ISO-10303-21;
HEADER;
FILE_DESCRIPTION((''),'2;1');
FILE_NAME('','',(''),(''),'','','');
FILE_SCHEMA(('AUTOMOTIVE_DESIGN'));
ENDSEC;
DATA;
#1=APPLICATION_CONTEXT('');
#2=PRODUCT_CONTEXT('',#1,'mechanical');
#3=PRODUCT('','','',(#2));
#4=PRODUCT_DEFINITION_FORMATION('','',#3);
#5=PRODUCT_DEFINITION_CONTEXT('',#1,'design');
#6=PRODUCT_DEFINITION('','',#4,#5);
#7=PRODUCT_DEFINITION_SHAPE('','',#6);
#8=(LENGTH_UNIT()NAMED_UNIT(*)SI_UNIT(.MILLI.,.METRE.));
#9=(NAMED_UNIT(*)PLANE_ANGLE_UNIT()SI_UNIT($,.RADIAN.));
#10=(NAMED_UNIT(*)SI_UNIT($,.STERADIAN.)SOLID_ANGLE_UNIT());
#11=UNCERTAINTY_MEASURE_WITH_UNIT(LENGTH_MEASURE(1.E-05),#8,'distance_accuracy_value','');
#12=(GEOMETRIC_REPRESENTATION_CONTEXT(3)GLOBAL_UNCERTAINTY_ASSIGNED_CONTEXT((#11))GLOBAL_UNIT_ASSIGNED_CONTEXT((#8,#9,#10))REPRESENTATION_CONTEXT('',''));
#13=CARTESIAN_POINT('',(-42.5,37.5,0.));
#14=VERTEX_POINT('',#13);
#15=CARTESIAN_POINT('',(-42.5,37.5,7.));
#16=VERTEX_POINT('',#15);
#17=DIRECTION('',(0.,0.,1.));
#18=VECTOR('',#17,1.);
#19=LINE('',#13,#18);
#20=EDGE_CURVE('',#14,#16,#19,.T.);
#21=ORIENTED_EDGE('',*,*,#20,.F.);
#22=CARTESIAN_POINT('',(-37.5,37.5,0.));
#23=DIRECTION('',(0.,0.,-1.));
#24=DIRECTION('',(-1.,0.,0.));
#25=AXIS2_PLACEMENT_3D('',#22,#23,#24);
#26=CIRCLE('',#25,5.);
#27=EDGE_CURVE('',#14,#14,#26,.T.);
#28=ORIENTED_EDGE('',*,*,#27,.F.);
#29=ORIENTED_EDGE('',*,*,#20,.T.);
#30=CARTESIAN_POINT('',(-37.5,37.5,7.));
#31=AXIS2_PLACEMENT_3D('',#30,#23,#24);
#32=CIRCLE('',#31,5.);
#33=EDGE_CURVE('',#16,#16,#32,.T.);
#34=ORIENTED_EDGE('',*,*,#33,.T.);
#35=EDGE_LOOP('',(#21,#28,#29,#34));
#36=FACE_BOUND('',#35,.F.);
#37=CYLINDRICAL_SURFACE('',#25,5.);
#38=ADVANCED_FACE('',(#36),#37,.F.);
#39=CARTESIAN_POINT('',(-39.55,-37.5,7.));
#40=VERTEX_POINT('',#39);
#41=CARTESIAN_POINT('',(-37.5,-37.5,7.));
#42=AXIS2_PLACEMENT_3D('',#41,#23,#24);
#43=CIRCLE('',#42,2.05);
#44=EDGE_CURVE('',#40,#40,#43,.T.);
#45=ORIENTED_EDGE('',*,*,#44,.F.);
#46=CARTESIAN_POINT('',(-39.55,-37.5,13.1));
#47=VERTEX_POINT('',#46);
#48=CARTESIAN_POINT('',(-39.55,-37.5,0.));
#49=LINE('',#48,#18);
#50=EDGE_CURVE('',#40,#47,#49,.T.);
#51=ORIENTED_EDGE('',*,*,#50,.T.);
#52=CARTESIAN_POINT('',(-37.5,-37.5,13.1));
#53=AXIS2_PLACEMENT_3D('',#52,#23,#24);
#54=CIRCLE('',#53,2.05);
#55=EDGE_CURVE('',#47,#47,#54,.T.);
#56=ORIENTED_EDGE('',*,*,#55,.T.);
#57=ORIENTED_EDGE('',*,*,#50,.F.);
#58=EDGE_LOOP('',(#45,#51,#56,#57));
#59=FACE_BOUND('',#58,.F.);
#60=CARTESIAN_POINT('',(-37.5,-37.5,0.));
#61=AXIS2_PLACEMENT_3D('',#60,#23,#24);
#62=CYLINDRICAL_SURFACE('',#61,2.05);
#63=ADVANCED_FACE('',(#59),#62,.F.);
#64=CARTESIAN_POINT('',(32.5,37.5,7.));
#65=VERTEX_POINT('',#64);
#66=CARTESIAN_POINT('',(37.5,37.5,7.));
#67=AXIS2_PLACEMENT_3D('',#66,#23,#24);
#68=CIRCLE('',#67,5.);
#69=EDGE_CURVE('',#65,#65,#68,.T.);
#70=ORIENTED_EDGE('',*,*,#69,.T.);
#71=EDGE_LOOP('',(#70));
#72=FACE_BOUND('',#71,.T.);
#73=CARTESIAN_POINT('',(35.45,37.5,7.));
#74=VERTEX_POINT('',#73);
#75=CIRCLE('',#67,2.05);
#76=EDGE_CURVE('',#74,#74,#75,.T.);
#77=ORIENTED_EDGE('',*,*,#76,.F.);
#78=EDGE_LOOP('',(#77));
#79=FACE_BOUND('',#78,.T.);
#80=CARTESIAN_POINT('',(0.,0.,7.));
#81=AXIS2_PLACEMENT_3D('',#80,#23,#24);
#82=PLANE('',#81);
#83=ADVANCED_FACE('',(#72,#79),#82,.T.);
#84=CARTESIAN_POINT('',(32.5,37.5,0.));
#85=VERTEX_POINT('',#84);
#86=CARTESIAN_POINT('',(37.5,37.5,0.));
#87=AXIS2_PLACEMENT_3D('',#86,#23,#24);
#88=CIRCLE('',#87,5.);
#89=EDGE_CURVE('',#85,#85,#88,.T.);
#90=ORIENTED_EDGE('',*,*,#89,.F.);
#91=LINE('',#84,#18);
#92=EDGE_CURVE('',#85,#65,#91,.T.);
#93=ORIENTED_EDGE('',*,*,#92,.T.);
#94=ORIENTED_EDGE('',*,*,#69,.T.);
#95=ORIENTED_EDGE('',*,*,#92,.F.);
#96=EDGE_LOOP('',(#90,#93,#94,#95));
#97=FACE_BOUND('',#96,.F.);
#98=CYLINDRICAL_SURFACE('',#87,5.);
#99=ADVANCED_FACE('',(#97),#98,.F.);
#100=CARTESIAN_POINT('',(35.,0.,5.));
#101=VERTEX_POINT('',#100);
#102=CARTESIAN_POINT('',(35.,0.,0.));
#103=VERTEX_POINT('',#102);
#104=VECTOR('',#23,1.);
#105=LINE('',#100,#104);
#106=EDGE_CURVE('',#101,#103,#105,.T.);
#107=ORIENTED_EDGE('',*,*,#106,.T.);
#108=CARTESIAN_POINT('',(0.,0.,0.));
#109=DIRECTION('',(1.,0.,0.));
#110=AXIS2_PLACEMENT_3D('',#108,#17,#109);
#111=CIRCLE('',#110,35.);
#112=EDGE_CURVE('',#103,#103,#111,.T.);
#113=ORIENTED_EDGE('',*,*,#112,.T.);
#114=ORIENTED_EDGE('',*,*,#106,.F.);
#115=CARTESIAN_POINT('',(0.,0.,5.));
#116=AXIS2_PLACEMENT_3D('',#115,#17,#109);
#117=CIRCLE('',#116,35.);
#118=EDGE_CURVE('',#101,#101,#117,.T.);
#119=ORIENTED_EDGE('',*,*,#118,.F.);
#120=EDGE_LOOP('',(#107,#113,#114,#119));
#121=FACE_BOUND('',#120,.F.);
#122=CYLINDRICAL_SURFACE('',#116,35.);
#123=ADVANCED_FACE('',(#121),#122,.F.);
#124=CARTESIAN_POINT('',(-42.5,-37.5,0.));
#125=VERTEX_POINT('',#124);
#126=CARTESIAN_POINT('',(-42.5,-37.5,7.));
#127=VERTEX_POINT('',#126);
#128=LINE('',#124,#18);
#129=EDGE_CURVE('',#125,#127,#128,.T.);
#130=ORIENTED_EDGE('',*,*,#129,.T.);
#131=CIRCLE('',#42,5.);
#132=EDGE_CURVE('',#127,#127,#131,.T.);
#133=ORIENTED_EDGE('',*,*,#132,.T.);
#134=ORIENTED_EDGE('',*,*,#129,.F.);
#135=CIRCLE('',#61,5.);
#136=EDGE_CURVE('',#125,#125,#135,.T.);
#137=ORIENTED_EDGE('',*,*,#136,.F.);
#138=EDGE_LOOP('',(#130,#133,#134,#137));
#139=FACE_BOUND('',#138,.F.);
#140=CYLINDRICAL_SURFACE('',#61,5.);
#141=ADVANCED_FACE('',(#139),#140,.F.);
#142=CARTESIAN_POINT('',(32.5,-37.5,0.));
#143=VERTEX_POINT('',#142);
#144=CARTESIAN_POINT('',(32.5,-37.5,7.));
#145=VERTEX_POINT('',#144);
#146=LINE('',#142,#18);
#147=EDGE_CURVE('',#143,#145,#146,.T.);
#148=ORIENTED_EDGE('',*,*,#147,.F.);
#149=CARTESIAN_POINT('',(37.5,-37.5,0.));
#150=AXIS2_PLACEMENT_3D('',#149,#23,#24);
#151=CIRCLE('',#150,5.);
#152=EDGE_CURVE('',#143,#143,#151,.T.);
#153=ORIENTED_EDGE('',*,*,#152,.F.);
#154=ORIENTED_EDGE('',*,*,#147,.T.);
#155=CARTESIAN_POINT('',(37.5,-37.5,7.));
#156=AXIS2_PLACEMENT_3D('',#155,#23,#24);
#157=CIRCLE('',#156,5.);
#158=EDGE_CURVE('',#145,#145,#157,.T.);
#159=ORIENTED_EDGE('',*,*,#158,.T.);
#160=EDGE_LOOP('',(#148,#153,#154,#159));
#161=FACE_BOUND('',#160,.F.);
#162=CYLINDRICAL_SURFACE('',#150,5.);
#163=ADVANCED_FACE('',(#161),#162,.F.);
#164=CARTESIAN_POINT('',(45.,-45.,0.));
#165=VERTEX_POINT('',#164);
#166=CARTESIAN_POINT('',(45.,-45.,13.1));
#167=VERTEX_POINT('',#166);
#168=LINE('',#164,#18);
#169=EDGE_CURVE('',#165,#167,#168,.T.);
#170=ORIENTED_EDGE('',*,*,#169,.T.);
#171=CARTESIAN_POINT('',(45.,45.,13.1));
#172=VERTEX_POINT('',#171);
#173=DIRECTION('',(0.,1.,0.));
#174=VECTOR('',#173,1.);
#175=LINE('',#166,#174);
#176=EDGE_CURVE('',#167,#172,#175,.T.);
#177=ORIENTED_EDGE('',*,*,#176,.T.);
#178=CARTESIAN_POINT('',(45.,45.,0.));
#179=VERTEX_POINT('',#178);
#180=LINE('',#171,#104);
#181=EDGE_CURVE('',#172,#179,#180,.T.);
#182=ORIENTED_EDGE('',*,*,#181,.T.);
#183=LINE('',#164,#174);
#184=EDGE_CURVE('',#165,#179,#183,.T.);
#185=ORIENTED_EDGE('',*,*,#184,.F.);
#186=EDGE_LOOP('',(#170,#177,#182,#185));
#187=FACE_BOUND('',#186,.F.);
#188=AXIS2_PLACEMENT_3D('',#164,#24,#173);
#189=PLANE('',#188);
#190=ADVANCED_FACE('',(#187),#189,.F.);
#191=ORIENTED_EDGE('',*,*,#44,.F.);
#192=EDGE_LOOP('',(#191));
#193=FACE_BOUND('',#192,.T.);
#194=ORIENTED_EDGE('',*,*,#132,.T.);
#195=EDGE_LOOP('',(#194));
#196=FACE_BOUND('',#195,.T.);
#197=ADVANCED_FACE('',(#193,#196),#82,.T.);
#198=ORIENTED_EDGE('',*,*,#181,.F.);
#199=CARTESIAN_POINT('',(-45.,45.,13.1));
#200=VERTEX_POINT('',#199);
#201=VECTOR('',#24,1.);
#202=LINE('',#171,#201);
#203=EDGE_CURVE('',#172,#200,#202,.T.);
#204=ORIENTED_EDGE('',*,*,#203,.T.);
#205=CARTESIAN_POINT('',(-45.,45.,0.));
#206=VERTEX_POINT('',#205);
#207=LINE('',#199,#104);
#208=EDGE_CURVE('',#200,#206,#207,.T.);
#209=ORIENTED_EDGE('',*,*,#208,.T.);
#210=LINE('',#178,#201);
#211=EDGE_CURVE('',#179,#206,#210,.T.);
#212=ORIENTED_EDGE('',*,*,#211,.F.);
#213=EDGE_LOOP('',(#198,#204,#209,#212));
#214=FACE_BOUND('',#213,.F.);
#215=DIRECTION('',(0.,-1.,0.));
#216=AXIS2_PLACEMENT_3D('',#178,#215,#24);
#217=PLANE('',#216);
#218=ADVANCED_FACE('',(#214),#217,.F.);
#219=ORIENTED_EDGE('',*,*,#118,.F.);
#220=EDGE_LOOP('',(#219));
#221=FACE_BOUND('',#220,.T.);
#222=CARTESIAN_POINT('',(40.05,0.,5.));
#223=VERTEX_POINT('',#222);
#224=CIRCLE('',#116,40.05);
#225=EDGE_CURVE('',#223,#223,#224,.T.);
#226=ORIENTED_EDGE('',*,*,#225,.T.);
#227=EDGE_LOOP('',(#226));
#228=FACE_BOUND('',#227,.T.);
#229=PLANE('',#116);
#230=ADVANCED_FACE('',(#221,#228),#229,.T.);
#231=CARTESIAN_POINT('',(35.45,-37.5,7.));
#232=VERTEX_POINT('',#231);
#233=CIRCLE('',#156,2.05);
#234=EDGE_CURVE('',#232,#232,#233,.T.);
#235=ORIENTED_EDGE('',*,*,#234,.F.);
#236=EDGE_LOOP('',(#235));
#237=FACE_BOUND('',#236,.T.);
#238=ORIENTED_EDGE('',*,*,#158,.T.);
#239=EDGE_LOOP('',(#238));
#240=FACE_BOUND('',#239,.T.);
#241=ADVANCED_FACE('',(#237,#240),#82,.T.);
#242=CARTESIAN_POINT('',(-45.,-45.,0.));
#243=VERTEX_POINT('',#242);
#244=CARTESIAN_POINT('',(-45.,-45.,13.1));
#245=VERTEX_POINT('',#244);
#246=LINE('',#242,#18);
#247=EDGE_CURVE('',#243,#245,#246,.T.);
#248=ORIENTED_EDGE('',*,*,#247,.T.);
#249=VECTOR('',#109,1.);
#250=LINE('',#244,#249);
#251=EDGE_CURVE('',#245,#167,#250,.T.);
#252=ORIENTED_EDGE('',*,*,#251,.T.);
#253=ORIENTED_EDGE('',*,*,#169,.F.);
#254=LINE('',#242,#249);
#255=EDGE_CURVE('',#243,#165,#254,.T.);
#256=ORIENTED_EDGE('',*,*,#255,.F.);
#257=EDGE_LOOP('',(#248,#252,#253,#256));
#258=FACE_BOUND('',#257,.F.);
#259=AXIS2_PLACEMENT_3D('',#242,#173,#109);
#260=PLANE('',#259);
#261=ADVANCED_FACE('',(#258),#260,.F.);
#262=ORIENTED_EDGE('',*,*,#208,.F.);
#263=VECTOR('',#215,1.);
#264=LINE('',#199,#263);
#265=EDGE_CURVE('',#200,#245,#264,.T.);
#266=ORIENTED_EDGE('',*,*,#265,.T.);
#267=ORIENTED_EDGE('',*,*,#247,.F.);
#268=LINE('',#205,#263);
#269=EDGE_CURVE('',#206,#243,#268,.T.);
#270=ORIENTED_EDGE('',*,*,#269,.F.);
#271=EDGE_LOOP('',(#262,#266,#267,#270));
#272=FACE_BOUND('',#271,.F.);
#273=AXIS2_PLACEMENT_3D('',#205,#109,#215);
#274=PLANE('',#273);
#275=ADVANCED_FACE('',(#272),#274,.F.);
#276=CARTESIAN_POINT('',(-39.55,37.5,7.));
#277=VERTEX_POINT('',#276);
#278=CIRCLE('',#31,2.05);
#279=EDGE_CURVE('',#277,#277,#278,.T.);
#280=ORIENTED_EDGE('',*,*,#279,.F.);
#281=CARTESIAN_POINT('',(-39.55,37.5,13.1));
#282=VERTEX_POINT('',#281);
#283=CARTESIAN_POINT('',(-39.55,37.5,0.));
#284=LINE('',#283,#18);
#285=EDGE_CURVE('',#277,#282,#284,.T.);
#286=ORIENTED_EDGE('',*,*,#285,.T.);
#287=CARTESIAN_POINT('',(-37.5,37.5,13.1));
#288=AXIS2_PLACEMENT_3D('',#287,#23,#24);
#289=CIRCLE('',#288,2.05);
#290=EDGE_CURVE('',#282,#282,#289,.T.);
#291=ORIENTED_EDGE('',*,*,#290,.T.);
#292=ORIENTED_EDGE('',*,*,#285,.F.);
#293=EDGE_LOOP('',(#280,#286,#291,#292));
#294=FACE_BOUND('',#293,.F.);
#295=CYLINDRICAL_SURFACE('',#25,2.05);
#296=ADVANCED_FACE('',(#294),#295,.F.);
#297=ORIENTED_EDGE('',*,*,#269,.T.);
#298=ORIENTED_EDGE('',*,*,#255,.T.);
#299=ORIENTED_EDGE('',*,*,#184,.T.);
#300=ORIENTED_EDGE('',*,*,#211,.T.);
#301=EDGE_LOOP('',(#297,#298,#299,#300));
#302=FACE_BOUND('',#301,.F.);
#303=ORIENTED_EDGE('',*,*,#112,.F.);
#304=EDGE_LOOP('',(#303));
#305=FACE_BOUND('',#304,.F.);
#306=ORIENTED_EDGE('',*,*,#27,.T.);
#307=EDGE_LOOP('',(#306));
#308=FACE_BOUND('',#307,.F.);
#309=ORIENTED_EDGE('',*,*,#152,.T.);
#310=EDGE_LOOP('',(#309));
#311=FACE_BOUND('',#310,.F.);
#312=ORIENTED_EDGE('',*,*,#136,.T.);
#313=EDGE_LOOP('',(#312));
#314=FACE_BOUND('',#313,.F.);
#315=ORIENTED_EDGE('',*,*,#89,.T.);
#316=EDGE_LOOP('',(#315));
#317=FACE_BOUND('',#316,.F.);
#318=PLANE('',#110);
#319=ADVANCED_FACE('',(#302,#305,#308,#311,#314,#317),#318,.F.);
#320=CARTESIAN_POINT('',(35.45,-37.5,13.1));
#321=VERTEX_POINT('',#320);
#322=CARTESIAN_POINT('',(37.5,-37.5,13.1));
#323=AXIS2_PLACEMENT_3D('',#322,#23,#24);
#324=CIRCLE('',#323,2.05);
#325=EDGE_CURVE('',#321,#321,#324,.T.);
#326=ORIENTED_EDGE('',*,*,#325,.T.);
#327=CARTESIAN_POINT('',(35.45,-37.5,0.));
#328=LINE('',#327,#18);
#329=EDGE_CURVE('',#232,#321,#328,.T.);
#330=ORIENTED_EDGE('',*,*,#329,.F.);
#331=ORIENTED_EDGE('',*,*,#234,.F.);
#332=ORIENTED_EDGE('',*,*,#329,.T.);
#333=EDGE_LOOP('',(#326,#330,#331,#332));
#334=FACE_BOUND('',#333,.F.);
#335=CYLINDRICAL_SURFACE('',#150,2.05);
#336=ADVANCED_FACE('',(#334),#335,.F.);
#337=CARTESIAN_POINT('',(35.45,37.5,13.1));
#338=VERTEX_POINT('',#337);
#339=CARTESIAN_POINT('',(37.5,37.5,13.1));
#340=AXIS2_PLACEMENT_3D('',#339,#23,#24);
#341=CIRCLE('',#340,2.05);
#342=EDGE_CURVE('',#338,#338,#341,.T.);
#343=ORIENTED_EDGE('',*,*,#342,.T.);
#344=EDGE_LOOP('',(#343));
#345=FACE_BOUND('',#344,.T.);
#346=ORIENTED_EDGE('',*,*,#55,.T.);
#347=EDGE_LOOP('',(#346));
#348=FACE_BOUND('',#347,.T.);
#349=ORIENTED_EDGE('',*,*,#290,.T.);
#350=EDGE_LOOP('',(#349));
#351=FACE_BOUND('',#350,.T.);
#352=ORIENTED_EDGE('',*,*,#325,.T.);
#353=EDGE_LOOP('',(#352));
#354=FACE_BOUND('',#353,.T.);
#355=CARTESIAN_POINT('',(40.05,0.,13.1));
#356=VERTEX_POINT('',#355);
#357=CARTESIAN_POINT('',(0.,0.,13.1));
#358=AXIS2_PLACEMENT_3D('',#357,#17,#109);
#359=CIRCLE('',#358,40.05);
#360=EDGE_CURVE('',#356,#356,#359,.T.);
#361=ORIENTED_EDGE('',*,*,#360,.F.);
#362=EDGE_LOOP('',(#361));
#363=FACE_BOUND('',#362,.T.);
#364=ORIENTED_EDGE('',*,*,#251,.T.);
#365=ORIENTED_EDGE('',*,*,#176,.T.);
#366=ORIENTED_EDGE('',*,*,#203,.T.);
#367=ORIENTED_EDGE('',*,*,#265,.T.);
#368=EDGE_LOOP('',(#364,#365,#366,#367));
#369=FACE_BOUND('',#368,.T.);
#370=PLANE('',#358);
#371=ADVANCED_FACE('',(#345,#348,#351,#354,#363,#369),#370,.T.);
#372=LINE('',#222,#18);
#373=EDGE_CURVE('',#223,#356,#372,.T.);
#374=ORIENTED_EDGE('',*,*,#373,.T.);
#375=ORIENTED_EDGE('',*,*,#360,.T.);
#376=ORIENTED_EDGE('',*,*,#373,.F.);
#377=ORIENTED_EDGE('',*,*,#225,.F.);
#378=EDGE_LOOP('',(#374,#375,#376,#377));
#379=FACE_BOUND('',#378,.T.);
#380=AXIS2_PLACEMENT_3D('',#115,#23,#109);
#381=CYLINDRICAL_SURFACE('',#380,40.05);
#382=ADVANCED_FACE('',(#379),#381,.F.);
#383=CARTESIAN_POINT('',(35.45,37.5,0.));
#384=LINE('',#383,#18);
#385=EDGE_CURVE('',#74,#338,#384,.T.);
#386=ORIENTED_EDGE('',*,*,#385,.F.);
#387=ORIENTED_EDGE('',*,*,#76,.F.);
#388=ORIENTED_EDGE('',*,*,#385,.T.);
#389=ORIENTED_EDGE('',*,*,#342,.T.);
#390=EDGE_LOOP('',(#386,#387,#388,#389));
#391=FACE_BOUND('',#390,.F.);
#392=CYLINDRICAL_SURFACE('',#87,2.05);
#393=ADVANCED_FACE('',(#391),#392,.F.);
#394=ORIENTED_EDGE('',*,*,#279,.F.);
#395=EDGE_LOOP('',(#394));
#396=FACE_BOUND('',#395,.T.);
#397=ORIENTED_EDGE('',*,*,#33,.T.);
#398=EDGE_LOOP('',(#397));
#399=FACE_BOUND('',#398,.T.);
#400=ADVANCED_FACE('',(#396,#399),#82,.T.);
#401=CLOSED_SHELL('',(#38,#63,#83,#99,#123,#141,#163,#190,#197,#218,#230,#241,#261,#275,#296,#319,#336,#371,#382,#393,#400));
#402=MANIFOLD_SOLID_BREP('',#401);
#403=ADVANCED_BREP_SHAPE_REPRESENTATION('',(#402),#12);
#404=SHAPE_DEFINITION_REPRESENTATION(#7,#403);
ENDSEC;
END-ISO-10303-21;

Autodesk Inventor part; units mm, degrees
ref_plane "YZ Plane" through (0, 0, 0) normal (1, 0, 0) x (0, 1, 0)
ref_plane "XZ Plane" through (0, 0, 0) normal (0, 1, 0) x (-1, 0, 0)
ref_plane "XY Plane" through (0, 0, 0) normal (0, 0, 1) x (1, 0, 0)
sketch "Sketch4" plane through (0, 0, 0) normal (0, 0, 1) x (1, 0, 0)
  line L0 (-45, -45) -> (45, -45)
  line L1 (45, -45) -> (45, 45)
  line L2 (45, 45) -> (-45, 45)
  line L3 (-45, 45) -> (-45, -45)
  line L4 (-45, -45) -> (45, 45) construction
  line L5 (45, -45) -> (-45, 45) construction
  point P0 (0, 0)
  dimension "d10" = 90
  dimension "d11" = 90
extrude "Extrusion4" add sketch "Sketch4" along normal blind 5
sketch "Sketch5" plane through (0, 0, 5) normal (0, 0, 1) x (1, 0, 0)
  line L0 (-45, -45) -> (45, -45)
  line L1 (45, -45) -> (45, 45)
  line L2 (45, 45) -> (-45, 45)
  line L3 (-45, 45) -> (-45, -45)
  line L4 (-45, -45) -> (45, 45) construction
  line L5 (45, -45) -> (-45, 45) construction
  line L6 (45, 45) -> (-45, 45) projected
  line L7 (45, -45) -> (45, 45) projected
  circle A0 centre (0, 0) radius 40.05
  dimension "d14" = 80.1
extrude "Extrusion5" add sketch "Sketch5" along normal blind 8.1
sketch "Sketch6" plane through (0, 0, 5) normal (0, 0, 1) x (1, 0, 0)
  circle A0 centre (0, 0) radius 35
  dimension "d17" = 70
extrude "Extrusion6" cut sketch "Sketch6" against normal through all
sketch "Sketch7" plane through (0, 0, 0) normal (0, 0, -1) x (-1, 0, 0)
  circle A0 centre (-37.5, -37.5) radius 2.05
  circle A1 centre (-37.5, 37.5) radius 2.05
  circle A2 centre (37.5, 37.5) radius 2.05
  circle A3 centre (37.5, -37.5) radius 2.05
  line L0 (-45, -45) -> (-45, 45) projected
  line L1 (45, -45) -> (-45, -45) projected
  line L2 (-45, 45) -> (45, 45) projected
  line L3 (45, 45) -> (45, -45) projected
  point P0 (0, 0)
  dimension "d20" = 4.1
  dimension "d21" = 4.1
  dimension "d22" = 4.1
  dimension "d23" = 4.1
  dimension "d24" = 7.5
  dimension "d25" = 7.5
  dimension "d26" = 7.5
  dimension "d27" = 7.5
  dimension "d28" = 7.5
  dimension "d29" = 7.5
  dimension "d30" = 7.5
  dimension "d31" = 7.5
extrude "Extrusion7" cut sketch "Sketch7" against normal through all contours A0 | A1 | A2 | A3
sketch "Sketch8" plane through (0, 0, 0) normal (0, 0, -1) x (-1, 0, 0)
  circle A0 centre (-37.5, -37.5) radius 2.05 projected
  circle A1 centre (-37.5, 37.5) radius 2.05 projected
  circle A2 centre (37.5, 37.5) radius 2.05 projected
  circle A3 centre (37.5, -37.5) radius 2.05 projected
  circle A4 centre (-37.5, -37.5) radius 5
  circle A5 centre (-37.5, 37.5) radius 5
  circle A6 centre (37.5, 37.5) radius 5
  circle A7 centre (37.5, -37.5) radius 5
  point P0 (0, 0)
  dimension "d34" = 10
  dimension "d35" = 10
  dimension "d36" = 10
  dimension "d37" = 10
extrude "Extrusion8" cut sketch "Sketch8" against normal blind 7 contours A1 | A2 | A4 | A5 | A6 | A7
properties part number "bearing_bracket1" material "ABS Plastic"
